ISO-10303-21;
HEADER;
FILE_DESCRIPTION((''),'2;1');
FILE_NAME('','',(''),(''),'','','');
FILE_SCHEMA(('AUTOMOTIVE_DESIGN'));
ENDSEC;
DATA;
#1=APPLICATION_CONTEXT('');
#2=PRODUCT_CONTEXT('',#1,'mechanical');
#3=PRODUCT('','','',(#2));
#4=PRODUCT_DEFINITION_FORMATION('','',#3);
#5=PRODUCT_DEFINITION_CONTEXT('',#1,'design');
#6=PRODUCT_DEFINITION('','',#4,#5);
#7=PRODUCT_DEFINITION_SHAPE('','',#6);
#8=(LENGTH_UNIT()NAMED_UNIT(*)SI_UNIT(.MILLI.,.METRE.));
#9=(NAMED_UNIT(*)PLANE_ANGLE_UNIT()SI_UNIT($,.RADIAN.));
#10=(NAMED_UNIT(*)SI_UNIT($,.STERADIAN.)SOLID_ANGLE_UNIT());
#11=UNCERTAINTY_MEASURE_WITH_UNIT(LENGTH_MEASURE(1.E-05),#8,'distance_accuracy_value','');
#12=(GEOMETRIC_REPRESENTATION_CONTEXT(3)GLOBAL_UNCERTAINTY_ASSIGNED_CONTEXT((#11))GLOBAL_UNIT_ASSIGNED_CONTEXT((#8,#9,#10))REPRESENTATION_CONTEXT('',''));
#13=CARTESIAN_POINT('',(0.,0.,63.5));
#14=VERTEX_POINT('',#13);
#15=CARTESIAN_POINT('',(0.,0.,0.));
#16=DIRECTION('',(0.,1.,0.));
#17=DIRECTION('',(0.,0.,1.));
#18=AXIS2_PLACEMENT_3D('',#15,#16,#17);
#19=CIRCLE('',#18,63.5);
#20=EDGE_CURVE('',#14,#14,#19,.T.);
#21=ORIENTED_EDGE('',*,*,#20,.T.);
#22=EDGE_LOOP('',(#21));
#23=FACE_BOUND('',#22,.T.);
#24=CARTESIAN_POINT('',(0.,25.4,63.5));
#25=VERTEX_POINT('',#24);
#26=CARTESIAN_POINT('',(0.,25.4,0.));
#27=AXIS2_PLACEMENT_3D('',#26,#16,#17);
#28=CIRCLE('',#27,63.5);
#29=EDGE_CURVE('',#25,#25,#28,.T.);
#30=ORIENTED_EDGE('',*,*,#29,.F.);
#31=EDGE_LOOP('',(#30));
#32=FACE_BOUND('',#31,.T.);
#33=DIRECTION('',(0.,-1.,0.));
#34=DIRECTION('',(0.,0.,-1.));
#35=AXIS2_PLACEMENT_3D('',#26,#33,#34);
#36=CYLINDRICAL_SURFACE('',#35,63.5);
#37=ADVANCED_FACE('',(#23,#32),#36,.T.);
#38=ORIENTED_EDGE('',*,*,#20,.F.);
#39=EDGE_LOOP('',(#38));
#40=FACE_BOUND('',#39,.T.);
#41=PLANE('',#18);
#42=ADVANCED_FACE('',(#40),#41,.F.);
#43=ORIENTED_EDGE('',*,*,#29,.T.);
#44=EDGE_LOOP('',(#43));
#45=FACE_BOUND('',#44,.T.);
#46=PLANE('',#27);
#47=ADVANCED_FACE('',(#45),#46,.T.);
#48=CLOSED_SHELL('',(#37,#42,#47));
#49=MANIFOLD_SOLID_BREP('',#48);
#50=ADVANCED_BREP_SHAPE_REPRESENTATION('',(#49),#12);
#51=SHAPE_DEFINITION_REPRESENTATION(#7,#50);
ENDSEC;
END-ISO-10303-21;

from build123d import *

# Parameters (mm, degrees)
SKETCH1_R           = 63.5
BOSS_EXTRUDE1_DEPTH = 25.4


with BuildPart() as part:
    # Sketch1 → Boss-Extrude1 (new body)
    with BuildSketch(Plane(origin=(0, 0, 0), x_dir=(1, 0, 0), z_dir=(0, 1, 0))):
        Circle(SKETCH1_R)
    extrude(amount=BOSS_EXTRUDE1_DEPTH)


solid = part.part
